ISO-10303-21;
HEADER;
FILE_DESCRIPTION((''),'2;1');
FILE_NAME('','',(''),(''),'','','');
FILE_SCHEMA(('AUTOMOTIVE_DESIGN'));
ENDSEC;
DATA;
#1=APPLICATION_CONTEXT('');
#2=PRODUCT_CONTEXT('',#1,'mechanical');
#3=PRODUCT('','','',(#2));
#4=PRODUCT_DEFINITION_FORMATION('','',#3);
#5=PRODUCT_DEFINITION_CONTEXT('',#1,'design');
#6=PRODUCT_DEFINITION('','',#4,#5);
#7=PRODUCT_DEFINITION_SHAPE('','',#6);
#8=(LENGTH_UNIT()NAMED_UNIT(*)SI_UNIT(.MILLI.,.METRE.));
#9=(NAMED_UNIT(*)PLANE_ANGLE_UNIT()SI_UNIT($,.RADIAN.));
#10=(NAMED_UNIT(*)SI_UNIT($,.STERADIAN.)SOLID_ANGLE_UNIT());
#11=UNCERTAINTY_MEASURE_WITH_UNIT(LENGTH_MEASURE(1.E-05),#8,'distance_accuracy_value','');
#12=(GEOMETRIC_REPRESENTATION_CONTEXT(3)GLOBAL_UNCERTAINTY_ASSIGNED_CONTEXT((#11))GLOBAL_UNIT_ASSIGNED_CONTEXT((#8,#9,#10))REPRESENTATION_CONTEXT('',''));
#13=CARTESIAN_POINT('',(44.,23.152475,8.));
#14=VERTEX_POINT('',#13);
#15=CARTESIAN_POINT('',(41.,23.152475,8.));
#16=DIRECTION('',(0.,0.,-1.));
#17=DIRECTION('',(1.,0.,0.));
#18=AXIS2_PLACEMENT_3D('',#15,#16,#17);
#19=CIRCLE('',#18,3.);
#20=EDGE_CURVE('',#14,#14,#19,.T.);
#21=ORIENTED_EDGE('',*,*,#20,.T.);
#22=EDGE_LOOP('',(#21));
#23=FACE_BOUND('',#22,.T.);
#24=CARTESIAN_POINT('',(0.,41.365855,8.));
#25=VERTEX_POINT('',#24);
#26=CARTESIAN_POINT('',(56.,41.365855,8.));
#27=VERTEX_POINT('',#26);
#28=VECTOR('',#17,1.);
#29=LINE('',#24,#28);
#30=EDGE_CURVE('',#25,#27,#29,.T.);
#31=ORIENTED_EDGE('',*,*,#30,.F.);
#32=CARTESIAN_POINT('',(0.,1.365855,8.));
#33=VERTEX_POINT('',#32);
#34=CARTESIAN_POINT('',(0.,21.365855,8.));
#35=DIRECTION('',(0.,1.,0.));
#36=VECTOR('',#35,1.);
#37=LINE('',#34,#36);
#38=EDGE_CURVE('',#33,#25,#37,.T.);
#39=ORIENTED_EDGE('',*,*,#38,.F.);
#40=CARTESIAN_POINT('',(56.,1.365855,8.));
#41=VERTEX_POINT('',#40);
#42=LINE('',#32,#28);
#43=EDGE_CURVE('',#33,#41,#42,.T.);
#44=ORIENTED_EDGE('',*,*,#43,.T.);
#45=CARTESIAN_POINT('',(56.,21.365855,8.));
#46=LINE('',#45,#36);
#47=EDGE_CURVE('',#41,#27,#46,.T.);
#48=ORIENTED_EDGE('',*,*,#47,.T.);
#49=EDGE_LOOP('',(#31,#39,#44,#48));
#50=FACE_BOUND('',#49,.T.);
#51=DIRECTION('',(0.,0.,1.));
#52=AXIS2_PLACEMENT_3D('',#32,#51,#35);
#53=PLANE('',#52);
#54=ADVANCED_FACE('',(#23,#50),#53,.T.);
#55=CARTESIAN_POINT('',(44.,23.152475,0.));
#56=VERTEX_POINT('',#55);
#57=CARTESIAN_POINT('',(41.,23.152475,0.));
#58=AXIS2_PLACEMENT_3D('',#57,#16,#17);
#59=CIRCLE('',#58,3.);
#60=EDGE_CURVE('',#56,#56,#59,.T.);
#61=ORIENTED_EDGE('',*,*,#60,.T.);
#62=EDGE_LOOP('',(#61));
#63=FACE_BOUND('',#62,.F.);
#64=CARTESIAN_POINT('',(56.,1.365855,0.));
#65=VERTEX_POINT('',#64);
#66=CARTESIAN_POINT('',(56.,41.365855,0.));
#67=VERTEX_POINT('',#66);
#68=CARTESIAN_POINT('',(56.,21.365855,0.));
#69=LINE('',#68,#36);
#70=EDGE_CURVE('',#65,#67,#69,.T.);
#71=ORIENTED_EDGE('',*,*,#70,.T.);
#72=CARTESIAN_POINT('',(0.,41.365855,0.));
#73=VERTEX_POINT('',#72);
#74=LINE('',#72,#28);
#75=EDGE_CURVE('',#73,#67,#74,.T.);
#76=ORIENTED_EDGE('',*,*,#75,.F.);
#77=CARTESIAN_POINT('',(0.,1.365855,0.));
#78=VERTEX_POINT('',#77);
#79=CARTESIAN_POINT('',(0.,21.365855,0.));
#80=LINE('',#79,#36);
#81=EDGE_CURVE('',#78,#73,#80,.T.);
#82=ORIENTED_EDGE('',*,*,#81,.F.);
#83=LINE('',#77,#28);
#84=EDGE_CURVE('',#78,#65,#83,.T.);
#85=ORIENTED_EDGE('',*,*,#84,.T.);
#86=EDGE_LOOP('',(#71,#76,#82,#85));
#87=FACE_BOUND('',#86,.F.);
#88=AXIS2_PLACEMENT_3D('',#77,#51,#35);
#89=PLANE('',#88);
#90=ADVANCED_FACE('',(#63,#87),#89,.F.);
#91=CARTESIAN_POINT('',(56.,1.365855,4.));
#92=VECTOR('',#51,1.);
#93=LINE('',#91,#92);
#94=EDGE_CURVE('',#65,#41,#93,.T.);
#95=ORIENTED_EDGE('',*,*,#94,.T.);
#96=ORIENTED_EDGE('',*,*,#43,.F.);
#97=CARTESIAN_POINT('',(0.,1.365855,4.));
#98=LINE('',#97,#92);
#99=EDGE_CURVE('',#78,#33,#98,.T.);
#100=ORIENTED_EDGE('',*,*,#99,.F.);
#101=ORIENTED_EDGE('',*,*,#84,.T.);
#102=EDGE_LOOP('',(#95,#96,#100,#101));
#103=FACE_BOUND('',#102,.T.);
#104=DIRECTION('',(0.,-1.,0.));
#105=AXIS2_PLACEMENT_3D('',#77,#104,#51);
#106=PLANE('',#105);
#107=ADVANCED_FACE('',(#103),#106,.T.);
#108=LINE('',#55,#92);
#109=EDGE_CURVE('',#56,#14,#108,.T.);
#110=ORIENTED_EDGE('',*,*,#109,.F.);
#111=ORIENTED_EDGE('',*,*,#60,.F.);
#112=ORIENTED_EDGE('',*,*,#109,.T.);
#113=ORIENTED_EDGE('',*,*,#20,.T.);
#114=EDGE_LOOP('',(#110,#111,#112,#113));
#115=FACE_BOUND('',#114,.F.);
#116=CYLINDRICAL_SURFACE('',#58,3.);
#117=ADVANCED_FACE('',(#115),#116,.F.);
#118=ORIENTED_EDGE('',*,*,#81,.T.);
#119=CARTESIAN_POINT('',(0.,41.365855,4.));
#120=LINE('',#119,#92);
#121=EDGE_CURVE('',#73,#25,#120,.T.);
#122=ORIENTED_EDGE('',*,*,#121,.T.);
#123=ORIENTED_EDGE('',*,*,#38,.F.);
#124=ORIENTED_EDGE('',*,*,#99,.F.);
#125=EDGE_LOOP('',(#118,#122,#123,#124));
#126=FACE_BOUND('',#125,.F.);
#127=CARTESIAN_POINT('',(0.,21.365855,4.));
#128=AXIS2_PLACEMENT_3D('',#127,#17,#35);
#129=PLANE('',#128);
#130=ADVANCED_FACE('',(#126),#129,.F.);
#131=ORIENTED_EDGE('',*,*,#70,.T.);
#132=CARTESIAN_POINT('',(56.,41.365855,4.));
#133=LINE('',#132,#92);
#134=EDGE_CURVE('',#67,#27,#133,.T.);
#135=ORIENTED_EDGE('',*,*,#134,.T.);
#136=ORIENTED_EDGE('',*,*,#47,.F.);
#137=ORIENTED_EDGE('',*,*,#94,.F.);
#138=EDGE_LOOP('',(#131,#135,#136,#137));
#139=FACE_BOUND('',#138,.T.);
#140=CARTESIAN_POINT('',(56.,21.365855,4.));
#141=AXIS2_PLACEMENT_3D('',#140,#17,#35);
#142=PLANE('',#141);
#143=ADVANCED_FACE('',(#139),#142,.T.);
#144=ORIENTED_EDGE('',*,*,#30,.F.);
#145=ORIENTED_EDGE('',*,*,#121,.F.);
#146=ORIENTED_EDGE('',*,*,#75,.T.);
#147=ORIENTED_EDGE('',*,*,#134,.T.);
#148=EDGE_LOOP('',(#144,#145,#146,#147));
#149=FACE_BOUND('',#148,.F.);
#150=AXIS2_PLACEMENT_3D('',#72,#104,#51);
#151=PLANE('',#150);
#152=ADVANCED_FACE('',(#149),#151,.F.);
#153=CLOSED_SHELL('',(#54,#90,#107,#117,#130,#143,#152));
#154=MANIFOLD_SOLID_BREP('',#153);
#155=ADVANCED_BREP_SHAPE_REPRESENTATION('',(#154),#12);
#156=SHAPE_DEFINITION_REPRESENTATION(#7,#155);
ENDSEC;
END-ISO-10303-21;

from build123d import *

# Parameters (mm, degrees)
F0_W     = 40
F0_H     = 8
F1_DEPTH = 56
F2_R     = 3
F3_DEPTH = 11.1


with BuildPart() as f1:
    # F0 (on Right) → F1 (new body)
    with BuildSketch(Plane.YZ):
        with Locations((21.365855, 4)):
            Rectangle(F0_W, F0_H)
    extrude(amount=F1_DEPTH)

    # F2 (on face) → F3 (cut)
    with BuildSketch(Plane(origin=(0, 0, 0), x_dir=(1, 0, 0), z_dir=(0, 0, -1))):
        with Locations((41, -23.152475)):
            Circle(F2_R)
    extrude(amount=-F3_DEPTH, mode=Mode.SUBTRACT)


solid = f1.part
